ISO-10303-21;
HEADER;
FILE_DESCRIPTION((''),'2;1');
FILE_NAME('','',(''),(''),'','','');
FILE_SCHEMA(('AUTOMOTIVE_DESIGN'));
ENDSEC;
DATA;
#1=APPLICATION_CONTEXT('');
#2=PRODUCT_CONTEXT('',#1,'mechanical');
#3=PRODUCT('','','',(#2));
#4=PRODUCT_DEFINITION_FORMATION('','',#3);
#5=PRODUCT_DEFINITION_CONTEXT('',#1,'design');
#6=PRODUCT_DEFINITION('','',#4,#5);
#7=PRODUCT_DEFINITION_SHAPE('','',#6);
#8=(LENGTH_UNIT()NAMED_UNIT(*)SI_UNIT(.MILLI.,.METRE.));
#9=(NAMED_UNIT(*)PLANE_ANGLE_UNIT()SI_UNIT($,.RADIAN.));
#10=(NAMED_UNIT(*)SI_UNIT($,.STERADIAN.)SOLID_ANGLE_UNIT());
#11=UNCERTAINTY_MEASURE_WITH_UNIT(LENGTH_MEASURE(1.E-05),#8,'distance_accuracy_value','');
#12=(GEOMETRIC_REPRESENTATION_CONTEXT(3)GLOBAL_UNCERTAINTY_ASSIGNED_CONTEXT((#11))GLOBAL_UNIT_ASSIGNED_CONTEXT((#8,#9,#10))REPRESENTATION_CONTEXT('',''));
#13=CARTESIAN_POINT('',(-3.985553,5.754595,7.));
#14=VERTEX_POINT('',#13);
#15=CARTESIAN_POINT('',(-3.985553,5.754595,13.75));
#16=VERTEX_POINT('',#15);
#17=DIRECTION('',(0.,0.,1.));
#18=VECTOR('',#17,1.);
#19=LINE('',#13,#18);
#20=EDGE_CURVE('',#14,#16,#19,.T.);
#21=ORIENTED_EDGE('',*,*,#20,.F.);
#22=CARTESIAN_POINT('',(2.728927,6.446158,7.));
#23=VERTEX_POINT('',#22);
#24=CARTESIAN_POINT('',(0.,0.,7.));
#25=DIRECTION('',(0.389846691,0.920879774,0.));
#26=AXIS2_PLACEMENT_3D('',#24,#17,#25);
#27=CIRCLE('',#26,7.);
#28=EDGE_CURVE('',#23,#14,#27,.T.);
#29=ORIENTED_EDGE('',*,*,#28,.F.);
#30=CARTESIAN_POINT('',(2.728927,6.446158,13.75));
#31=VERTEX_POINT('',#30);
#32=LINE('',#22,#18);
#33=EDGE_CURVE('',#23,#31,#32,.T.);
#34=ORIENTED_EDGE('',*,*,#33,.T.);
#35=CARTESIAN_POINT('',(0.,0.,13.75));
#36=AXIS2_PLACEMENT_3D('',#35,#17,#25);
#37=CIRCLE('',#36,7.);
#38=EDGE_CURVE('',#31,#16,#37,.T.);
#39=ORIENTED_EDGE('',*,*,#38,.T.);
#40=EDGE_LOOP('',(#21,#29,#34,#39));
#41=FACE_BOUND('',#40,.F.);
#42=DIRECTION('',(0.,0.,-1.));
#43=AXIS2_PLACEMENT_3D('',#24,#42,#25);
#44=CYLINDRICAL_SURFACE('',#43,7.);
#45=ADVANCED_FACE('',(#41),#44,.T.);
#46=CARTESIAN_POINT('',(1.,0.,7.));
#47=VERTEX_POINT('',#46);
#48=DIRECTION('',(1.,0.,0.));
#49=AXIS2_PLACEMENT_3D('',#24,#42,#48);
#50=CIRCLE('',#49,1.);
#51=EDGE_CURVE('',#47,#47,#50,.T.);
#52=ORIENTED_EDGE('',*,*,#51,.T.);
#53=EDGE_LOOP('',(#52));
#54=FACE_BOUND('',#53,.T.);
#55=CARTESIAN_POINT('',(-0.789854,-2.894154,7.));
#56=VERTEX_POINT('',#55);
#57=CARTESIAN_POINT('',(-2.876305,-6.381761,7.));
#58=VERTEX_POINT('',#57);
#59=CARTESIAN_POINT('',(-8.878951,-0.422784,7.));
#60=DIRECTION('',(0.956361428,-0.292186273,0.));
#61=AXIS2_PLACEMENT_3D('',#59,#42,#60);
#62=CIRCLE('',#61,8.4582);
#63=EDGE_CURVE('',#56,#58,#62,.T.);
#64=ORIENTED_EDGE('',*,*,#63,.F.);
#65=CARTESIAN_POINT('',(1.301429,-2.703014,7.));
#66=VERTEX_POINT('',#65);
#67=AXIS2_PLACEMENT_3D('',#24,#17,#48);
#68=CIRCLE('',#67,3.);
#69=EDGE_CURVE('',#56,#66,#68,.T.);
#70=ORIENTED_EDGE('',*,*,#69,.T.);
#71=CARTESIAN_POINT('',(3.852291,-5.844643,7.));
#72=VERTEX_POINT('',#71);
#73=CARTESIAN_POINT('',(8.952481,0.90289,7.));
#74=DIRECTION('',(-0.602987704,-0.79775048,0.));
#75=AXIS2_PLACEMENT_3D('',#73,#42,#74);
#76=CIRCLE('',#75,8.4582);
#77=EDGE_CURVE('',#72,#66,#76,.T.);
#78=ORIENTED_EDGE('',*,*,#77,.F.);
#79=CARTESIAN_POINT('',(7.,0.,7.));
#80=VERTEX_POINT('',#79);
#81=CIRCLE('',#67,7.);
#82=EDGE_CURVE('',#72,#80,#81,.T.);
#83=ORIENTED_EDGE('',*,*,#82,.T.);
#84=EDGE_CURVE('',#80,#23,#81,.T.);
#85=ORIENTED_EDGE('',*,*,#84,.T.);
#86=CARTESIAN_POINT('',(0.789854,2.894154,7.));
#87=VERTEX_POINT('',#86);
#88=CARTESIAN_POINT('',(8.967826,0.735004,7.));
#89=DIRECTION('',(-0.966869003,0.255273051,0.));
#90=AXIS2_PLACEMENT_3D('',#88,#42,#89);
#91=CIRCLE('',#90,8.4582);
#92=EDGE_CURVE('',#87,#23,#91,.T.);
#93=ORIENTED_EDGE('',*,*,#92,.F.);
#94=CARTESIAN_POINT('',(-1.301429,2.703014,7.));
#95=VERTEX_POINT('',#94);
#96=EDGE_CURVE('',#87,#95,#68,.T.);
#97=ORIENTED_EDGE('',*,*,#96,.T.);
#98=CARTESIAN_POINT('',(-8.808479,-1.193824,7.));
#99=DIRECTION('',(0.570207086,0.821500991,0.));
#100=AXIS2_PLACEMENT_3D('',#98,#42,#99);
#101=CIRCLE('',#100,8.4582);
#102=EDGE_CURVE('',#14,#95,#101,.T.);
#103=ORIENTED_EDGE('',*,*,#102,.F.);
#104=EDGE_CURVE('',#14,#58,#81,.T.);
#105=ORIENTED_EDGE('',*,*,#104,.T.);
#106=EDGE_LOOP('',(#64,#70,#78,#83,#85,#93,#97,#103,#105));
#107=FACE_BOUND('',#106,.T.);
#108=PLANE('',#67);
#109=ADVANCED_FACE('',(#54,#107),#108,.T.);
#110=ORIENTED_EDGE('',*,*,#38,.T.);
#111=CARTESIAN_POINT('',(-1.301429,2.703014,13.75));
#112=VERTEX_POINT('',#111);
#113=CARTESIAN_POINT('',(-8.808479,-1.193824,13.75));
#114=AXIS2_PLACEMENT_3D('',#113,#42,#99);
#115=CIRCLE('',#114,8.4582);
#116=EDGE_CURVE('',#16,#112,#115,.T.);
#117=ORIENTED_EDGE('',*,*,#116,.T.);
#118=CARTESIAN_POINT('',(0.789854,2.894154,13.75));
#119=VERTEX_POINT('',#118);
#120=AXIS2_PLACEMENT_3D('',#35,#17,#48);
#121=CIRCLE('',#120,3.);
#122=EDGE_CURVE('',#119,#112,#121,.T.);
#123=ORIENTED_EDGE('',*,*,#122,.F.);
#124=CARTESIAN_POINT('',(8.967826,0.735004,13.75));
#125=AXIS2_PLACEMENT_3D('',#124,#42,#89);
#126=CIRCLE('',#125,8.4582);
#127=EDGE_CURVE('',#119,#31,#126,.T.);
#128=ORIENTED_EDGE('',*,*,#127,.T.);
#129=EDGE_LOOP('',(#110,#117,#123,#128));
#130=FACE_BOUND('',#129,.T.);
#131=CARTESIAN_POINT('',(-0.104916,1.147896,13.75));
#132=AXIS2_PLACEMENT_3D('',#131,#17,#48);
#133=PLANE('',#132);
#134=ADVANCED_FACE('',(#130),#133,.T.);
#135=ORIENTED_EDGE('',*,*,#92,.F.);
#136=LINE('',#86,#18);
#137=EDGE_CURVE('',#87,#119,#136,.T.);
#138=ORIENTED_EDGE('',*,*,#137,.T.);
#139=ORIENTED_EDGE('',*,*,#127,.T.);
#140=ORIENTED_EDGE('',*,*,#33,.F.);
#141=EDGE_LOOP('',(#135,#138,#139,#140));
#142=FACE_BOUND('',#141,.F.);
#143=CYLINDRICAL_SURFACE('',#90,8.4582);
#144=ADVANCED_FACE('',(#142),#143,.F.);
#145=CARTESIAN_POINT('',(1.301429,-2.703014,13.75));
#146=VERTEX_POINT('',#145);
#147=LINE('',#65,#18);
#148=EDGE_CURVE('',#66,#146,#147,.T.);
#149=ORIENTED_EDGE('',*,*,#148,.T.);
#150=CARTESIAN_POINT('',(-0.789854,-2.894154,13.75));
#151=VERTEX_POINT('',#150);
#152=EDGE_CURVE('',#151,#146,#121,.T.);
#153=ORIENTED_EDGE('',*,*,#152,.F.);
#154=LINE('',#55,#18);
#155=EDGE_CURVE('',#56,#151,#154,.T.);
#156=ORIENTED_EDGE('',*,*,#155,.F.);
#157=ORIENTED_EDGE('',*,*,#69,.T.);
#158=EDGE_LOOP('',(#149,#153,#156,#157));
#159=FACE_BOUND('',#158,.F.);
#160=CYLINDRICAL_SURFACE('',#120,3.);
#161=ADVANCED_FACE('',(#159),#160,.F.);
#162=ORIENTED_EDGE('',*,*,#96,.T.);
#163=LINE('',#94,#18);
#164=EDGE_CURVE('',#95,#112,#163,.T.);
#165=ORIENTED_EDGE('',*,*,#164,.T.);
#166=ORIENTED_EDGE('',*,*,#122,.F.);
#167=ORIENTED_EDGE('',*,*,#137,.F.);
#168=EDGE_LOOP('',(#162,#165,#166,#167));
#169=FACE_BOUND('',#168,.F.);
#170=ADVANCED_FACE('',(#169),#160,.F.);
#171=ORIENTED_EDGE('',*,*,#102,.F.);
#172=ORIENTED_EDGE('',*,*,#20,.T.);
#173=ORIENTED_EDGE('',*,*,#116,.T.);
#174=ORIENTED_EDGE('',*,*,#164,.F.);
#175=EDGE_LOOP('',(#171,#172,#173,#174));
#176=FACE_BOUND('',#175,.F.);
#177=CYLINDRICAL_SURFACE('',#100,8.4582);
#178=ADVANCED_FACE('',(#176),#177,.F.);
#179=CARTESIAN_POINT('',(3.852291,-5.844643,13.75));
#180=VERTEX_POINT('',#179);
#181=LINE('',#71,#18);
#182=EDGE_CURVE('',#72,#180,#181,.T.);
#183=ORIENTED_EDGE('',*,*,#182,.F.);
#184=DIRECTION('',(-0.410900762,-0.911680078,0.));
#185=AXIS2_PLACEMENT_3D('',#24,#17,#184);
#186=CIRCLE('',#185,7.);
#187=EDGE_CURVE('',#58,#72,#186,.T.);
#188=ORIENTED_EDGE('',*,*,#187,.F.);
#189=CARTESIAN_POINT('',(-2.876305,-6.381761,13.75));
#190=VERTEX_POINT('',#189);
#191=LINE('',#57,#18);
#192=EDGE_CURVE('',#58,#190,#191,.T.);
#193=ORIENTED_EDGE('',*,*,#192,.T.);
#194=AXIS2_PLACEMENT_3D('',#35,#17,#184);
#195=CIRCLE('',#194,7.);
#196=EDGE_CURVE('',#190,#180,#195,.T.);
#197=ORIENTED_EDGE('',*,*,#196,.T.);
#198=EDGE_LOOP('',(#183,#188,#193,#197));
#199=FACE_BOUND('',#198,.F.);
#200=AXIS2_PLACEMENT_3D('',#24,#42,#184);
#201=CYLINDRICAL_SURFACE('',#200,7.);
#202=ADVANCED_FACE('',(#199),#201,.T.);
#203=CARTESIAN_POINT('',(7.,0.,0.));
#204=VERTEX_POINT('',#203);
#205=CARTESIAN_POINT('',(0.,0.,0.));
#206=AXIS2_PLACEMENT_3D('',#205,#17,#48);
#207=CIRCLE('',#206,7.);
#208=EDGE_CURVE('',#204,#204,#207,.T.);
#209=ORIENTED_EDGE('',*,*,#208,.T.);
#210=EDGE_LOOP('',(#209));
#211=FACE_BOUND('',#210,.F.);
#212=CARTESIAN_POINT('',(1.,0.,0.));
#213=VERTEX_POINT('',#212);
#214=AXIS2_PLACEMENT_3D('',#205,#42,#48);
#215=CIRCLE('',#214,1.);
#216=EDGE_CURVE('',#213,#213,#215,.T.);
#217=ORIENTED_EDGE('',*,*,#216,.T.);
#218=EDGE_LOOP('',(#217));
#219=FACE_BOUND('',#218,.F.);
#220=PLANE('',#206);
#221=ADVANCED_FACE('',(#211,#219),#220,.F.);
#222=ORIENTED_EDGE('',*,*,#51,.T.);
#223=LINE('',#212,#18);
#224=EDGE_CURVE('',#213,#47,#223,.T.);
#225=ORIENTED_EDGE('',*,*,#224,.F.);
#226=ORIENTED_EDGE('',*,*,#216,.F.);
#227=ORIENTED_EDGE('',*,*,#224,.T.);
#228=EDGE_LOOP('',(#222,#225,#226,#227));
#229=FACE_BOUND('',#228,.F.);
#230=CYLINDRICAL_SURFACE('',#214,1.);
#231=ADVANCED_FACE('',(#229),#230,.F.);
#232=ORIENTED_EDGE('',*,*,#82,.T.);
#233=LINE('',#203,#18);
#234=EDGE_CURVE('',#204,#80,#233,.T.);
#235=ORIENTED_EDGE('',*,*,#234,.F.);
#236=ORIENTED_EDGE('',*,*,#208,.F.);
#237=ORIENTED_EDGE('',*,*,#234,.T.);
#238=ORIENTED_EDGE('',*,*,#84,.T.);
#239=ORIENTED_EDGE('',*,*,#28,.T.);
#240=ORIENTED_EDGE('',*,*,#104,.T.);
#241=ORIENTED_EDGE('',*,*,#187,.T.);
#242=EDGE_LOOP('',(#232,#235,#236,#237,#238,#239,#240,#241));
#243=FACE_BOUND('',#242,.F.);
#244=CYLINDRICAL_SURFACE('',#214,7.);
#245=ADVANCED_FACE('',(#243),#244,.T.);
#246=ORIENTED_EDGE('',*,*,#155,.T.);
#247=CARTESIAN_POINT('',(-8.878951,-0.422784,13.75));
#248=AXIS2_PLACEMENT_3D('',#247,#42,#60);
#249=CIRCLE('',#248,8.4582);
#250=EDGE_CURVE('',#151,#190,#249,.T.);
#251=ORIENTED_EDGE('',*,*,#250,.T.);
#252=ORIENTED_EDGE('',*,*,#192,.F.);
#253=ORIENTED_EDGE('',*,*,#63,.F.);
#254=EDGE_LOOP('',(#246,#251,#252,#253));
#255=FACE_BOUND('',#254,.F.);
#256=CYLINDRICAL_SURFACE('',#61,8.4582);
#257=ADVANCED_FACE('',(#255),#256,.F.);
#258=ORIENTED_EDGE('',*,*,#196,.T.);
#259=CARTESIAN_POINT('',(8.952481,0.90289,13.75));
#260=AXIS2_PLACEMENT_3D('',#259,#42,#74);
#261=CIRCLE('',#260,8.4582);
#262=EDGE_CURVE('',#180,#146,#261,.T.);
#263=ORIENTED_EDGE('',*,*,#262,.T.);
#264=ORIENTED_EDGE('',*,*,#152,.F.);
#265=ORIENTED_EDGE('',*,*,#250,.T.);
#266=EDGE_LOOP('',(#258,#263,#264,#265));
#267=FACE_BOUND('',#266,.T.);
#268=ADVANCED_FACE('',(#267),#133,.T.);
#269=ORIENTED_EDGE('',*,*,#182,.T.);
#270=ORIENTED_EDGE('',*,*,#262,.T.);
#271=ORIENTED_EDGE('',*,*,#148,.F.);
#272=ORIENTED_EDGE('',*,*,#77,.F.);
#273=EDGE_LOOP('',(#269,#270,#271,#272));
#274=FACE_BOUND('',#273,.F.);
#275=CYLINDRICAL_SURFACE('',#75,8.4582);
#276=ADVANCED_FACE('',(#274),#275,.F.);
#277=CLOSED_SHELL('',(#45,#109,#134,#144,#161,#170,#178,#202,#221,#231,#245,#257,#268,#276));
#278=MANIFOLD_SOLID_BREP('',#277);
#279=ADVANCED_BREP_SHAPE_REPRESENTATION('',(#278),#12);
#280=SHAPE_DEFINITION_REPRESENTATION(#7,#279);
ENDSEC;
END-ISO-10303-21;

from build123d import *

# Parameters (mm, degrees)
F0_R     = 7
F1_DEPTH = 7
F3_DEPTH = 6.75
F4_R     = 3
F5_DEPTH = 6.75
F6_R     = 1
F7_DEPTH = 13.751


with BuildPart() as f1:
    # F0 (on Top) → F1 (new body)
    with BuildSketch(Plane.XY):
        Circle(F0_R)
    extrude(amount=F1_DEPTH)

    # F2 (on face) → F3 (join)
    with BuildSketch(Plane.XY.offset(7)):
        with BuildLine():
            ThreePointArc((2.9875473685, 0.273058091), (2.2988535655, 1.9275041594), (0.7898544942, 2.8941544323))
            ThreePointArc((0.7898544942, 2.8941544323), (-0.273058091, 2.9875473685), (-1.3014286637, 2.7030137686))
            ThreePointArc((-1.3014286637, 2.7030137686), (-2.6101876905, 1.4788239315), (-2.9875473685, -0.273058091))
            Line((-2.9875473685, -0.273058091), (2.9875473685, 0.273058091))
        make_face()
        with BuildLine():
            ThreePointArc((-1.3014286637, 2.7030137686), (-0.273058091, 2.9875473685), (0.7898544942, 2.8941544323))
            ThreePointArc((0.7898544942, 2.8941544323), (1.5438295644, 4.7878332543), (2.7289268388, 6.4461584148))
            ThreePointArc((2.7289268388, 6.4461584148), (-0.7171765928, 6.9631643478), (-3.9855530681, 5.7545952717))
            ThreePointArc((-3.9855530681, 5.7545952717), (-2.4574856727, 4.3924118424), (-1.3014286637, 2.7030137686))
        make_face()
        with BuildLine():
            ThreePointArc((3, 0), (2.9968852252, 0.1366709452), (2.9875473685, 0.273058091))
            Line((2.9875473685, 0.273058091), (-2.9875473685, -0.273058091))
            ThreePointArc((-2.9875473685, -0.273058091), (-2.2988535655, -1.9275041594), (-0.7898544942, -2.8941544323))
            ThreePointArc((-0.7898544942, -2.8941544323), (0.273058091, -2.9875473685), (1.3014286637, -2.7030137686))
            ThreePointArc((1.3014286637, -2.7030137686), (2.5401068867, -1.5962008033), (3, 0))
        make_face()
        with BuildLine():
            ThreePointArc((1.3014286637, -2.7030137686), (0.273058091, -2.9875473685), (-0.7898544942, -2.8941544323))
            ThreePointArc((-0.7898544942, -2.8941544323), (-1.6204974061, -4.7651343928), (-2.8763053334, -6.3817605431))
            ThreePointArc((-2.8763053334, -6.3817605431), (0.5570104085, -6.9778033366), (3.8522907412, -5.8446433634))
            ThreePointArc((3.8522907412, -5.8446433634), (2.3862030644, -4.4286331899), (1.3014286637, -2.7030137686))
        make_face()
    extrude(amount=F3_DEPTH)

    # F4 (on face) → F5 (cut)
    with BuildSketch(Plane.XY.offset(13.75)):
        Circle(F4_R)
    extrude(amount=-F5_DEPTH, mode=Mode.SUBTRACT)

    # F6 (on face) → F7 (cut, through all)
    with BuildSketch(Plane(origin=(0, 0, 0), x_dir=(1, 0, 0), z_dir=(0, 0, -1))):
        Circle(F6_R)
    extrude(amount=-F7_DEPTH, mode=Mode.SUBTRACT)


solid = f1.part
